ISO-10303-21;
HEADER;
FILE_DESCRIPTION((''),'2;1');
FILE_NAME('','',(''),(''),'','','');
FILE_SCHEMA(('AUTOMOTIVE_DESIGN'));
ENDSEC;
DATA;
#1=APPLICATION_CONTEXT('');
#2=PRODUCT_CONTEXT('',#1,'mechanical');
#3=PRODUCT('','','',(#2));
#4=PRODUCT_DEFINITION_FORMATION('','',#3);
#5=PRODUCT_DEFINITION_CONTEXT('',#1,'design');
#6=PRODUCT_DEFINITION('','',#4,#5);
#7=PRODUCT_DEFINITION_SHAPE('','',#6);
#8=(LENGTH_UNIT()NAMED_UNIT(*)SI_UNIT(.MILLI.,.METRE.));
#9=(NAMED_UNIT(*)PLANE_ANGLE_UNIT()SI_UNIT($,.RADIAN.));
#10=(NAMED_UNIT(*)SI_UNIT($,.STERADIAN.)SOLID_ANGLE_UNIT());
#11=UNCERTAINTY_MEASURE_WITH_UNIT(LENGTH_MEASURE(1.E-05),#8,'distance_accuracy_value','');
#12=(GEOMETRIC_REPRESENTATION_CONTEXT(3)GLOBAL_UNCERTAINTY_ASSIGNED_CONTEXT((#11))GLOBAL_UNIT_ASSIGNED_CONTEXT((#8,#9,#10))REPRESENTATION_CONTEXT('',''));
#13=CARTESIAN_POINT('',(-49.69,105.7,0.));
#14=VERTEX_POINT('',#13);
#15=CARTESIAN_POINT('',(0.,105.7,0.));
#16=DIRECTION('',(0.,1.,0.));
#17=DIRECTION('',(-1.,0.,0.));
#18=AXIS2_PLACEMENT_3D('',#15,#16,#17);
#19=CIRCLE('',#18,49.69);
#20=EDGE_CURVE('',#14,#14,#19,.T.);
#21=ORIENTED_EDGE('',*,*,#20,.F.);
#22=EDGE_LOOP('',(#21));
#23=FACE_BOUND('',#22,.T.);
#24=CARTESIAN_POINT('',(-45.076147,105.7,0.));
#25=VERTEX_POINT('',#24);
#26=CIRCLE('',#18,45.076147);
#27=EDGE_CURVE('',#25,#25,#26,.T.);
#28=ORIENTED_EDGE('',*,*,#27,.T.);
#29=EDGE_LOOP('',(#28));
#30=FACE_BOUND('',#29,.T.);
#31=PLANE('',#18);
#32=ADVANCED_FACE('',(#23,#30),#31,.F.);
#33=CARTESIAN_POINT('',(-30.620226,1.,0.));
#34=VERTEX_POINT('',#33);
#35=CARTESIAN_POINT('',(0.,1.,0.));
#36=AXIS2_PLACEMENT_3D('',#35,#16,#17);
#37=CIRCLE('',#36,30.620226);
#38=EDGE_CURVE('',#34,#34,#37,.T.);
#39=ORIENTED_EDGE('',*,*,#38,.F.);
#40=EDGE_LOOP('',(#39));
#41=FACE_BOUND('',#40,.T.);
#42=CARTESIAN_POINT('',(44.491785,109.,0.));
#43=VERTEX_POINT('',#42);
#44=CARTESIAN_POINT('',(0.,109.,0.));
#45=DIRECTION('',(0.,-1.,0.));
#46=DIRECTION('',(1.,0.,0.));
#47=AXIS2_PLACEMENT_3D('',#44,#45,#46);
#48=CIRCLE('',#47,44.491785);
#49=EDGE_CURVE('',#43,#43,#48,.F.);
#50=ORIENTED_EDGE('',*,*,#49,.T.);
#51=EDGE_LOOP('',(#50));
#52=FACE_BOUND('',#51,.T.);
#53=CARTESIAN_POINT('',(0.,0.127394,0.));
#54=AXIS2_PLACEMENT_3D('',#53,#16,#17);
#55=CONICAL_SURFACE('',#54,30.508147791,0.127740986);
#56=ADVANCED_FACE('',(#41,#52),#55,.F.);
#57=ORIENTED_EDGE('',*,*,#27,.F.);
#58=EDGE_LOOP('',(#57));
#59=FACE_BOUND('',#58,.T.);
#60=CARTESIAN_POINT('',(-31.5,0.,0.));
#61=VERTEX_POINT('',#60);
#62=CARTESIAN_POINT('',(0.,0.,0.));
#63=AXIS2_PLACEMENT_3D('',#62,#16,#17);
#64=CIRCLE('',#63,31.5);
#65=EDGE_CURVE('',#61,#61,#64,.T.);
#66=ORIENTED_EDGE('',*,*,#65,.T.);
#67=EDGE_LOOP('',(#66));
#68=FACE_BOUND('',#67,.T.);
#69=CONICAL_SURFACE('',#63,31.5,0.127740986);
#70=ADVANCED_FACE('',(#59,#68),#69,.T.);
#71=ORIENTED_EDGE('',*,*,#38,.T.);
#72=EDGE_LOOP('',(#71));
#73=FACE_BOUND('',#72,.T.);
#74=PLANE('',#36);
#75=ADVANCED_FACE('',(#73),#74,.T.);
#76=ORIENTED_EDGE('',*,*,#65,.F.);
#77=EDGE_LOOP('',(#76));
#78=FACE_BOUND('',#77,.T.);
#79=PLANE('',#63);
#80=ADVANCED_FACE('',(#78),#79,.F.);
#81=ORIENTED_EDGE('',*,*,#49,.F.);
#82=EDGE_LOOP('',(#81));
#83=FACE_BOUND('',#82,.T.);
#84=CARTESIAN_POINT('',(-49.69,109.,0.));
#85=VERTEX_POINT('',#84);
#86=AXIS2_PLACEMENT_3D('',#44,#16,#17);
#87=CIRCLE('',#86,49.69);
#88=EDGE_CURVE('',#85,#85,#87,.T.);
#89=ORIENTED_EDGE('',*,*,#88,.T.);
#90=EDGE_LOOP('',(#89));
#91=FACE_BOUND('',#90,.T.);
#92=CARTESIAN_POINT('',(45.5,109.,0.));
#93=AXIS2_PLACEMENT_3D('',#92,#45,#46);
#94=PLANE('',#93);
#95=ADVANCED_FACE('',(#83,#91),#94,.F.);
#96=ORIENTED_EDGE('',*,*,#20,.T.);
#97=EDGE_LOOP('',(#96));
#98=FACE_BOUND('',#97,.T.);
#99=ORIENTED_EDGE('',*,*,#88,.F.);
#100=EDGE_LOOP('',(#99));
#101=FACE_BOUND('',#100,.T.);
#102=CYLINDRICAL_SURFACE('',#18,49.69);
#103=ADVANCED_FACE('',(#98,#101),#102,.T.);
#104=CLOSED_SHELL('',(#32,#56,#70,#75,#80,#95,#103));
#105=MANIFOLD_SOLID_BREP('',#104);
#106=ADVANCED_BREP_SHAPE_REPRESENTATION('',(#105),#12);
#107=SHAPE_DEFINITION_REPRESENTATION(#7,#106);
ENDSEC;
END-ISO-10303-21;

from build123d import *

# Parameters (mm, degrees)
COQUE1_T           = -1
ESQUISSE2_R        = 49.69
ESQUISSE2_R_2      = 44.491785277
BOSS_EXTRU_1_DEPTH = 3.3


with BuildPart() as part:
    # Esquisse1 → Révolution1 (revolve)
    with BuildSketch(Plane.XY, mode=Mode.PRIVATE) as r_volution1_sk:
        Polygon((0, 0), (31.5, 0), (45.5, 109), (0, 109), align=None)
    revolve(r_volution1_sk.sketch.rotate(Axis((0, 109, 0), (0, -1, 0)), 180), axis=Axis((0, 109, 0), (0, -1, 0)))

    # Coque1
    coque1_openings = [part.faces().sort_by_distance(p)[0] for p in [
        (0, 109, 0),
    ]]
    offset(amount=COQUE1_T, openings=coque1_openings, kind=Kind.INTERSECTION)

    # Esquisse2 → Boss.-Extru.1 (add)
    with BuildSketch(Plane(origin=(0, 109, 0), x_dir=(1, 0, 0), z_dir=(0, 1, 0))):
        with Locations(Location((0, 0, 0), (0, 0, 180))):
            Circle(ESQUISSE2_R)
        Circle(ESQUISSE2_R_2, mode=Mode.SUBTRACT)
    extrude(amount=-BOSS_EXTRU_1_DEPTH)


solid = part.part
